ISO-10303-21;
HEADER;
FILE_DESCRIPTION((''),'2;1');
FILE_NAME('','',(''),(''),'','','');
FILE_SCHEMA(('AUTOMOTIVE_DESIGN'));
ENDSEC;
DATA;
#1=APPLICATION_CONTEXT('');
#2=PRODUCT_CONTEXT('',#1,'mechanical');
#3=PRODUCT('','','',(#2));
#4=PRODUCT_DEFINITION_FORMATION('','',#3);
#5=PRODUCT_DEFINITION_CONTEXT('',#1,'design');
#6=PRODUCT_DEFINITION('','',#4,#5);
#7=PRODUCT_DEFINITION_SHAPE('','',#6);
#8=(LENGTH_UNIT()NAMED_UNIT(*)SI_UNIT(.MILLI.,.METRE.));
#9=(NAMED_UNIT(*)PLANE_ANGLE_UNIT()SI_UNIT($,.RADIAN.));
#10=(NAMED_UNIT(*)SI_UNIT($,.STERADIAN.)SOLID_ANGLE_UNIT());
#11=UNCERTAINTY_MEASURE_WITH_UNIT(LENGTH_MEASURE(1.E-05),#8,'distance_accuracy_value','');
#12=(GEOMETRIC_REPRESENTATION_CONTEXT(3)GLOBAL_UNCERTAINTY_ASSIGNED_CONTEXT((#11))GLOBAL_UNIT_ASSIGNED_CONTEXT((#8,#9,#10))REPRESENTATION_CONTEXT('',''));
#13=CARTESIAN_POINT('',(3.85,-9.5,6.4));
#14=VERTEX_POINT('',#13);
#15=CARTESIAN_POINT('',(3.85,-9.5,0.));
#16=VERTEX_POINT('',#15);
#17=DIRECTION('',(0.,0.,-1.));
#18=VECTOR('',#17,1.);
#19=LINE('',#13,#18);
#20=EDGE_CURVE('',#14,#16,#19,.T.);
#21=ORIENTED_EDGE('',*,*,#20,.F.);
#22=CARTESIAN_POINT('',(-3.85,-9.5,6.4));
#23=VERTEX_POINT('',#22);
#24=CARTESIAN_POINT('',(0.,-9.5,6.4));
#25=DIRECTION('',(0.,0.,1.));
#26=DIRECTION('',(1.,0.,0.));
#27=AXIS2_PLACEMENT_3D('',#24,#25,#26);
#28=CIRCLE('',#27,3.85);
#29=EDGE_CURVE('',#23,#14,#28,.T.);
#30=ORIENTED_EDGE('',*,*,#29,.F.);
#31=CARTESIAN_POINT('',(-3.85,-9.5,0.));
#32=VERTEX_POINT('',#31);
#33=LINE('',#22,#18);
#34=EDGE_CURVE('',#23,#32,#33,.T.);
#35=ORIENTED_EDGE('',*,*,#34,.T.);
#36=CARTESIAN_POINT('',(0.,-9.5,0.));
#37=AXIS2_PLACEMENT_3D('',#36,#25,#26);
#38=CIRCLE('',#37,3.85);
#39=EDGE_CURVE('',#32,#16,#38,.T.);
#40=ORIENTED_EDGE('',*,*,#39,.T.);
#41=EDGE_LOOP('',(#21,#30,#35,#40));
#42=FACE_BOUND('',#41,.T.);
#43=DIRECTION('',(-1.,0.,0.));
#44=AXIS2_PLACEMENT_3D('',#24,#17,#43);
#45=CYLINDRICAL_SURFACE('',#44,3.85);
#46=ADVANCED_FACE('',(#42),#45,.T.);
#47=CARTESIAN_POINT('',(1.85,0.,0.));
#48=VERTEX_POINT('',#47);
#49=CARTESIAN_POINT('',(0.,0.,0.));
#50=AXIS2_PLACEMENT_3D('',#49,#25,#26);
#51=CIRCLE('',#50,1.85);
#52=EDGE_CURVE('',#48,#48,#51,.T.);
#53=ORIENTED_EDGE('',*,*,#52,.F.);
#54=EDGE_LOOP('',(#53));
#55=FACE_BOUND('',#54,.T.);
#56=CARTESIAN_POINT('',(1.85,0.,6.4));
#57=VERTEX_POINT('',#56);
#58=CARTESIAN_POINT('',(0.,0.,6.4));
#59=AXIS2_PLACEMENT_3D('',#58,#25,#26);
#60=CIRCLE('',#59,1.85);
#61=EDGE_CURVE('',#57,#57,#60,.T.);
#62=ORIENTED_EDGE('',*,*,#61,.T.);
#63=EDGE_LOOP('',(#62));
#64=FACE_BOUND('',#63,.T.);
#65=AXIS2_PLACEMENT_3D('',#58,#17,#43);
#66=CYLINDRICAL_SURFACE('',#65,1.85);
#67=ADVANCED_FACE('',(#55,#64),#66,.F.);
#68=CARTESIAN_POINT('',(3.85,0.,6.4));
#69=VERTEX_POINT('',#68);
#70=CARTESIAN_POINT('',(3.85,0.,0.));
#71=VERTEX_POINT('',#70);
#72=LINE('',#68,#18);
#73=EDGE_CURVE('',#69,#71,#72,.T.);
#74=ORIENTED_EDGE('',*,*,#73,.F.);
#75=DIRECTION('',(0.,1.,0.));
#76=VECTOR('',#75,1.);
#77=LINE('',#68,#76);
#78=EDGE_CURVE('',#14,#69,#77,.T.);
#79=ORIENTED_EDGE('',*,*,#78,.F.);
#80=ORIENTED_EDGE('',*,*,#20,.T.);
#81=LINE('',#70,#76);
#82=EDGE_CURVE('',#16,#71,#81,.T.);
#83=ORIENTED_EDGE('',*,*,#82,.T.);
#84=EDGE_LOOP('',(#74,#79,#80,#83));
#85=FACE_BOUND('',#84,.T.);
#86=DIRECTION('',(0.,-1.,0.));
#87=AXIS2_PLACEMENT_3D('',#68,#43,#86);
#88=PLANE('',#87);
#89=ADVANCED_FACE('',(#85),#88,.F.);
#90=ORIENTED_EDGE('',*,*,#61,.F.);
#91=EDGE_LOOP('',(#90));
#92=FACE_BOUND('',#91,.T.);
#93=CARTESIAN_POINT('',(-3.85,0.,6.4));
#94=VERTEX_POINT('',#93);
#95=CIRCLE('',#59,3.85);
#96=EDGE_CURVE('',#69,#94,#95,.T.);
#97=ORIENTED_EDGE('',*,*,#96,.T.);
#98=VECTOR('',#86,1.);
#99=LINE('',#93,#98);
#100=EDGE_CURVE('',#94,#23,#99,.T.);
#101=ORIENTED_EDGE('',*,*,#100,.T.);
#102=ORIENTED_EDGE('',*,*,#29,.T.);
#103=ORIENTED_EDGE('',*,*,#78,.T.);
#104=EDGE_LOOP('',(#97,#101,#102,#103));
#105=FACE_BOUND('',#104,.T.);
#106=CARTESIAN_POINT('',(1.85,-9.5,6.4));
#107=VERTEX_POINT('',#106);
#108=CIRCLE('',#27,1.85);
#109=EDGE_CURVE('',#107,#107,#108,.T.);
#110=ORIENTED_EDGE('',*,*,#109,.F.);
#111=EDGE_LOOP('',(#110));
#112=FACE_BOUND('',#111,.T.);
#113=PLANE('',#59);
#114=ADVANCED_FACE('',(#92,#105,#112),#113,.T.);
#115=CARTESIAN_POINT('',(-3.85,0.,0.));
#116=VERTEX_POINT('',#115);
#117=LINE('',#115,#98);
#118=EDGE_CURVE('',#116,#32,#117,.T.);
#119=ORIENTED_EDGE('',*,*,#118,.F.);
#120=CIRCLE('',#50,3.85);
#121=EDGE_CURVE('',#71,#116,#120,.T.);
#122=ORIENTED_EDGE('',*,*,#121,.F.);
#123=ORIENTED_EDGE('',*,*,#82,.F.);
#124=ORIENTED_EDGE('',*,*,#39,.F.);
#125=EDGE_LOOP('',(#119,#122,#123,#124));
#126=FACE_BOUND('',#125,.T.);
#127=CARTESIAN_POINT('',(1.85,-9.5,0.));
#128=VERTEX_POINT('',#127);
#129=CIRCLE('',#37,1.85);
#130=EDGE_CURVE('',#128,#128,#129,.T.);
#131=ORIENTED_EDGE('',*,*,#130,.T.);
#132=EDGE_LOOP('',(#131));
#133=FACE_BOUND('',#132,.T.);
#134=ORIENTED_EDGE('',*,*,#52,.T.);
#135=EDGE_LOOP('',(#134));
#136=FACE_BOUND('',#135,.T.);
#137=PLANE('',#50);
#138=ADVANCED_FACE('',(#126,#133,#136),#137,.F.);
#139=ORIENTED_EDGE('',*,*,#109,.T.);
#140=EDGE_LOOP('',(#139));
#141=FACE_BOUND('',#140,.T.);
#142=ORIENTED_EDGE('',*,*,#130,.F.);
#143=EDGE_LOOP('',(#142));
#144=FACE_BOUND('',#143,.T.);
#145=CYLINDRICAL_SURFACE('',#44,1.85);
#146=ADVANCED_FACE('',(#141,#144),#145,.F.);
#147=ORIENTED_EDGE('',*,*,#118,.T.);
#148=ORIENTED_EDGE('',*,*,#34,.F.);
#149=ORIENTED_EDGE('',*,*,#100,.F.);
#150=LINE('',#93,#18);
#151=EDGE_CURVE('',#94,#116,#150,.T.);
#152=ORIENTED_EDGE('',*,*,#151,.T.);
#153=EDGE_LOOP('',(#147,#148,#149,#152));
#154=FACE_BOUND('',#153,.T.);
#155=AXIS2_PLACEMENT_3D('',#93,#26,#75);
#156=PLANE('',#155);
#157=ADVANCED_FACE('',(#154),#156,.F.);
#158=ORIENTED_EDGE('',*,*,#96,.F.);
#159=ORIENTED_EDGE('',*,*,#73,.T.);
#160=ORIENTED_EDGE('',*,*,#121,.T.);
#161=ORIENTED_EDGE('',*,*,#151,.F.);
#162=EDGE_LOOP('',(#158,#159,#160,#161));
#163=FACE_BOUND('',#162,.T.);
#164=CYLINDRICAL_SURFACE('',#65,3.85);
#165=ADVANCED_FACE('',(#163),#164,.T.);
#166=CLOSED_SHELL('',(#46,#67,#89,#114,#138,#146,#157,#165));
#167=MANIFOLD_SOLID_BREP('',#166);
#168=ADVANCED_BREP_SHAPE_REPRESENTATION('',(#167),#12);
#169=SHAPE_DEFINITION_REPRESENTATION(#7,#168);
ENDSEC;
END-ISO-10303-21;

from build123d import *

# Parameters (mm, degrees)
CROQUIS1_R              = 1.85
SALIENTE_EXTRUIR1_DEPTH = 6.4


with BuildPart() as part:
    # Croquis1 → Saliente-Extruir1 (new body)
    with BuildSketch(Plane.XY):
        with BuildLine():
            Line((3.85, 0), (3.85, -9.5))
            ThreePointArc((3.85, -9.5), (0, -13.35), (-3.85, -9.5))
            Line((-3.85, -9.5), (-3.85, 0))
            ThreePointArc((-3.85, 0), (0, 3.85), (3.85, 0))
        make_face()
        Circle(CROQUIS1_R, mode=Mode.SUBTRACT)
        with Locations((0, -9.5)):
            Circle(CROQUIS1_R, mode=Mode.SUBTRACT)
    extrude(amount=SALIENTE_EXTRUIR1_DEPTH)


solid = part.part
